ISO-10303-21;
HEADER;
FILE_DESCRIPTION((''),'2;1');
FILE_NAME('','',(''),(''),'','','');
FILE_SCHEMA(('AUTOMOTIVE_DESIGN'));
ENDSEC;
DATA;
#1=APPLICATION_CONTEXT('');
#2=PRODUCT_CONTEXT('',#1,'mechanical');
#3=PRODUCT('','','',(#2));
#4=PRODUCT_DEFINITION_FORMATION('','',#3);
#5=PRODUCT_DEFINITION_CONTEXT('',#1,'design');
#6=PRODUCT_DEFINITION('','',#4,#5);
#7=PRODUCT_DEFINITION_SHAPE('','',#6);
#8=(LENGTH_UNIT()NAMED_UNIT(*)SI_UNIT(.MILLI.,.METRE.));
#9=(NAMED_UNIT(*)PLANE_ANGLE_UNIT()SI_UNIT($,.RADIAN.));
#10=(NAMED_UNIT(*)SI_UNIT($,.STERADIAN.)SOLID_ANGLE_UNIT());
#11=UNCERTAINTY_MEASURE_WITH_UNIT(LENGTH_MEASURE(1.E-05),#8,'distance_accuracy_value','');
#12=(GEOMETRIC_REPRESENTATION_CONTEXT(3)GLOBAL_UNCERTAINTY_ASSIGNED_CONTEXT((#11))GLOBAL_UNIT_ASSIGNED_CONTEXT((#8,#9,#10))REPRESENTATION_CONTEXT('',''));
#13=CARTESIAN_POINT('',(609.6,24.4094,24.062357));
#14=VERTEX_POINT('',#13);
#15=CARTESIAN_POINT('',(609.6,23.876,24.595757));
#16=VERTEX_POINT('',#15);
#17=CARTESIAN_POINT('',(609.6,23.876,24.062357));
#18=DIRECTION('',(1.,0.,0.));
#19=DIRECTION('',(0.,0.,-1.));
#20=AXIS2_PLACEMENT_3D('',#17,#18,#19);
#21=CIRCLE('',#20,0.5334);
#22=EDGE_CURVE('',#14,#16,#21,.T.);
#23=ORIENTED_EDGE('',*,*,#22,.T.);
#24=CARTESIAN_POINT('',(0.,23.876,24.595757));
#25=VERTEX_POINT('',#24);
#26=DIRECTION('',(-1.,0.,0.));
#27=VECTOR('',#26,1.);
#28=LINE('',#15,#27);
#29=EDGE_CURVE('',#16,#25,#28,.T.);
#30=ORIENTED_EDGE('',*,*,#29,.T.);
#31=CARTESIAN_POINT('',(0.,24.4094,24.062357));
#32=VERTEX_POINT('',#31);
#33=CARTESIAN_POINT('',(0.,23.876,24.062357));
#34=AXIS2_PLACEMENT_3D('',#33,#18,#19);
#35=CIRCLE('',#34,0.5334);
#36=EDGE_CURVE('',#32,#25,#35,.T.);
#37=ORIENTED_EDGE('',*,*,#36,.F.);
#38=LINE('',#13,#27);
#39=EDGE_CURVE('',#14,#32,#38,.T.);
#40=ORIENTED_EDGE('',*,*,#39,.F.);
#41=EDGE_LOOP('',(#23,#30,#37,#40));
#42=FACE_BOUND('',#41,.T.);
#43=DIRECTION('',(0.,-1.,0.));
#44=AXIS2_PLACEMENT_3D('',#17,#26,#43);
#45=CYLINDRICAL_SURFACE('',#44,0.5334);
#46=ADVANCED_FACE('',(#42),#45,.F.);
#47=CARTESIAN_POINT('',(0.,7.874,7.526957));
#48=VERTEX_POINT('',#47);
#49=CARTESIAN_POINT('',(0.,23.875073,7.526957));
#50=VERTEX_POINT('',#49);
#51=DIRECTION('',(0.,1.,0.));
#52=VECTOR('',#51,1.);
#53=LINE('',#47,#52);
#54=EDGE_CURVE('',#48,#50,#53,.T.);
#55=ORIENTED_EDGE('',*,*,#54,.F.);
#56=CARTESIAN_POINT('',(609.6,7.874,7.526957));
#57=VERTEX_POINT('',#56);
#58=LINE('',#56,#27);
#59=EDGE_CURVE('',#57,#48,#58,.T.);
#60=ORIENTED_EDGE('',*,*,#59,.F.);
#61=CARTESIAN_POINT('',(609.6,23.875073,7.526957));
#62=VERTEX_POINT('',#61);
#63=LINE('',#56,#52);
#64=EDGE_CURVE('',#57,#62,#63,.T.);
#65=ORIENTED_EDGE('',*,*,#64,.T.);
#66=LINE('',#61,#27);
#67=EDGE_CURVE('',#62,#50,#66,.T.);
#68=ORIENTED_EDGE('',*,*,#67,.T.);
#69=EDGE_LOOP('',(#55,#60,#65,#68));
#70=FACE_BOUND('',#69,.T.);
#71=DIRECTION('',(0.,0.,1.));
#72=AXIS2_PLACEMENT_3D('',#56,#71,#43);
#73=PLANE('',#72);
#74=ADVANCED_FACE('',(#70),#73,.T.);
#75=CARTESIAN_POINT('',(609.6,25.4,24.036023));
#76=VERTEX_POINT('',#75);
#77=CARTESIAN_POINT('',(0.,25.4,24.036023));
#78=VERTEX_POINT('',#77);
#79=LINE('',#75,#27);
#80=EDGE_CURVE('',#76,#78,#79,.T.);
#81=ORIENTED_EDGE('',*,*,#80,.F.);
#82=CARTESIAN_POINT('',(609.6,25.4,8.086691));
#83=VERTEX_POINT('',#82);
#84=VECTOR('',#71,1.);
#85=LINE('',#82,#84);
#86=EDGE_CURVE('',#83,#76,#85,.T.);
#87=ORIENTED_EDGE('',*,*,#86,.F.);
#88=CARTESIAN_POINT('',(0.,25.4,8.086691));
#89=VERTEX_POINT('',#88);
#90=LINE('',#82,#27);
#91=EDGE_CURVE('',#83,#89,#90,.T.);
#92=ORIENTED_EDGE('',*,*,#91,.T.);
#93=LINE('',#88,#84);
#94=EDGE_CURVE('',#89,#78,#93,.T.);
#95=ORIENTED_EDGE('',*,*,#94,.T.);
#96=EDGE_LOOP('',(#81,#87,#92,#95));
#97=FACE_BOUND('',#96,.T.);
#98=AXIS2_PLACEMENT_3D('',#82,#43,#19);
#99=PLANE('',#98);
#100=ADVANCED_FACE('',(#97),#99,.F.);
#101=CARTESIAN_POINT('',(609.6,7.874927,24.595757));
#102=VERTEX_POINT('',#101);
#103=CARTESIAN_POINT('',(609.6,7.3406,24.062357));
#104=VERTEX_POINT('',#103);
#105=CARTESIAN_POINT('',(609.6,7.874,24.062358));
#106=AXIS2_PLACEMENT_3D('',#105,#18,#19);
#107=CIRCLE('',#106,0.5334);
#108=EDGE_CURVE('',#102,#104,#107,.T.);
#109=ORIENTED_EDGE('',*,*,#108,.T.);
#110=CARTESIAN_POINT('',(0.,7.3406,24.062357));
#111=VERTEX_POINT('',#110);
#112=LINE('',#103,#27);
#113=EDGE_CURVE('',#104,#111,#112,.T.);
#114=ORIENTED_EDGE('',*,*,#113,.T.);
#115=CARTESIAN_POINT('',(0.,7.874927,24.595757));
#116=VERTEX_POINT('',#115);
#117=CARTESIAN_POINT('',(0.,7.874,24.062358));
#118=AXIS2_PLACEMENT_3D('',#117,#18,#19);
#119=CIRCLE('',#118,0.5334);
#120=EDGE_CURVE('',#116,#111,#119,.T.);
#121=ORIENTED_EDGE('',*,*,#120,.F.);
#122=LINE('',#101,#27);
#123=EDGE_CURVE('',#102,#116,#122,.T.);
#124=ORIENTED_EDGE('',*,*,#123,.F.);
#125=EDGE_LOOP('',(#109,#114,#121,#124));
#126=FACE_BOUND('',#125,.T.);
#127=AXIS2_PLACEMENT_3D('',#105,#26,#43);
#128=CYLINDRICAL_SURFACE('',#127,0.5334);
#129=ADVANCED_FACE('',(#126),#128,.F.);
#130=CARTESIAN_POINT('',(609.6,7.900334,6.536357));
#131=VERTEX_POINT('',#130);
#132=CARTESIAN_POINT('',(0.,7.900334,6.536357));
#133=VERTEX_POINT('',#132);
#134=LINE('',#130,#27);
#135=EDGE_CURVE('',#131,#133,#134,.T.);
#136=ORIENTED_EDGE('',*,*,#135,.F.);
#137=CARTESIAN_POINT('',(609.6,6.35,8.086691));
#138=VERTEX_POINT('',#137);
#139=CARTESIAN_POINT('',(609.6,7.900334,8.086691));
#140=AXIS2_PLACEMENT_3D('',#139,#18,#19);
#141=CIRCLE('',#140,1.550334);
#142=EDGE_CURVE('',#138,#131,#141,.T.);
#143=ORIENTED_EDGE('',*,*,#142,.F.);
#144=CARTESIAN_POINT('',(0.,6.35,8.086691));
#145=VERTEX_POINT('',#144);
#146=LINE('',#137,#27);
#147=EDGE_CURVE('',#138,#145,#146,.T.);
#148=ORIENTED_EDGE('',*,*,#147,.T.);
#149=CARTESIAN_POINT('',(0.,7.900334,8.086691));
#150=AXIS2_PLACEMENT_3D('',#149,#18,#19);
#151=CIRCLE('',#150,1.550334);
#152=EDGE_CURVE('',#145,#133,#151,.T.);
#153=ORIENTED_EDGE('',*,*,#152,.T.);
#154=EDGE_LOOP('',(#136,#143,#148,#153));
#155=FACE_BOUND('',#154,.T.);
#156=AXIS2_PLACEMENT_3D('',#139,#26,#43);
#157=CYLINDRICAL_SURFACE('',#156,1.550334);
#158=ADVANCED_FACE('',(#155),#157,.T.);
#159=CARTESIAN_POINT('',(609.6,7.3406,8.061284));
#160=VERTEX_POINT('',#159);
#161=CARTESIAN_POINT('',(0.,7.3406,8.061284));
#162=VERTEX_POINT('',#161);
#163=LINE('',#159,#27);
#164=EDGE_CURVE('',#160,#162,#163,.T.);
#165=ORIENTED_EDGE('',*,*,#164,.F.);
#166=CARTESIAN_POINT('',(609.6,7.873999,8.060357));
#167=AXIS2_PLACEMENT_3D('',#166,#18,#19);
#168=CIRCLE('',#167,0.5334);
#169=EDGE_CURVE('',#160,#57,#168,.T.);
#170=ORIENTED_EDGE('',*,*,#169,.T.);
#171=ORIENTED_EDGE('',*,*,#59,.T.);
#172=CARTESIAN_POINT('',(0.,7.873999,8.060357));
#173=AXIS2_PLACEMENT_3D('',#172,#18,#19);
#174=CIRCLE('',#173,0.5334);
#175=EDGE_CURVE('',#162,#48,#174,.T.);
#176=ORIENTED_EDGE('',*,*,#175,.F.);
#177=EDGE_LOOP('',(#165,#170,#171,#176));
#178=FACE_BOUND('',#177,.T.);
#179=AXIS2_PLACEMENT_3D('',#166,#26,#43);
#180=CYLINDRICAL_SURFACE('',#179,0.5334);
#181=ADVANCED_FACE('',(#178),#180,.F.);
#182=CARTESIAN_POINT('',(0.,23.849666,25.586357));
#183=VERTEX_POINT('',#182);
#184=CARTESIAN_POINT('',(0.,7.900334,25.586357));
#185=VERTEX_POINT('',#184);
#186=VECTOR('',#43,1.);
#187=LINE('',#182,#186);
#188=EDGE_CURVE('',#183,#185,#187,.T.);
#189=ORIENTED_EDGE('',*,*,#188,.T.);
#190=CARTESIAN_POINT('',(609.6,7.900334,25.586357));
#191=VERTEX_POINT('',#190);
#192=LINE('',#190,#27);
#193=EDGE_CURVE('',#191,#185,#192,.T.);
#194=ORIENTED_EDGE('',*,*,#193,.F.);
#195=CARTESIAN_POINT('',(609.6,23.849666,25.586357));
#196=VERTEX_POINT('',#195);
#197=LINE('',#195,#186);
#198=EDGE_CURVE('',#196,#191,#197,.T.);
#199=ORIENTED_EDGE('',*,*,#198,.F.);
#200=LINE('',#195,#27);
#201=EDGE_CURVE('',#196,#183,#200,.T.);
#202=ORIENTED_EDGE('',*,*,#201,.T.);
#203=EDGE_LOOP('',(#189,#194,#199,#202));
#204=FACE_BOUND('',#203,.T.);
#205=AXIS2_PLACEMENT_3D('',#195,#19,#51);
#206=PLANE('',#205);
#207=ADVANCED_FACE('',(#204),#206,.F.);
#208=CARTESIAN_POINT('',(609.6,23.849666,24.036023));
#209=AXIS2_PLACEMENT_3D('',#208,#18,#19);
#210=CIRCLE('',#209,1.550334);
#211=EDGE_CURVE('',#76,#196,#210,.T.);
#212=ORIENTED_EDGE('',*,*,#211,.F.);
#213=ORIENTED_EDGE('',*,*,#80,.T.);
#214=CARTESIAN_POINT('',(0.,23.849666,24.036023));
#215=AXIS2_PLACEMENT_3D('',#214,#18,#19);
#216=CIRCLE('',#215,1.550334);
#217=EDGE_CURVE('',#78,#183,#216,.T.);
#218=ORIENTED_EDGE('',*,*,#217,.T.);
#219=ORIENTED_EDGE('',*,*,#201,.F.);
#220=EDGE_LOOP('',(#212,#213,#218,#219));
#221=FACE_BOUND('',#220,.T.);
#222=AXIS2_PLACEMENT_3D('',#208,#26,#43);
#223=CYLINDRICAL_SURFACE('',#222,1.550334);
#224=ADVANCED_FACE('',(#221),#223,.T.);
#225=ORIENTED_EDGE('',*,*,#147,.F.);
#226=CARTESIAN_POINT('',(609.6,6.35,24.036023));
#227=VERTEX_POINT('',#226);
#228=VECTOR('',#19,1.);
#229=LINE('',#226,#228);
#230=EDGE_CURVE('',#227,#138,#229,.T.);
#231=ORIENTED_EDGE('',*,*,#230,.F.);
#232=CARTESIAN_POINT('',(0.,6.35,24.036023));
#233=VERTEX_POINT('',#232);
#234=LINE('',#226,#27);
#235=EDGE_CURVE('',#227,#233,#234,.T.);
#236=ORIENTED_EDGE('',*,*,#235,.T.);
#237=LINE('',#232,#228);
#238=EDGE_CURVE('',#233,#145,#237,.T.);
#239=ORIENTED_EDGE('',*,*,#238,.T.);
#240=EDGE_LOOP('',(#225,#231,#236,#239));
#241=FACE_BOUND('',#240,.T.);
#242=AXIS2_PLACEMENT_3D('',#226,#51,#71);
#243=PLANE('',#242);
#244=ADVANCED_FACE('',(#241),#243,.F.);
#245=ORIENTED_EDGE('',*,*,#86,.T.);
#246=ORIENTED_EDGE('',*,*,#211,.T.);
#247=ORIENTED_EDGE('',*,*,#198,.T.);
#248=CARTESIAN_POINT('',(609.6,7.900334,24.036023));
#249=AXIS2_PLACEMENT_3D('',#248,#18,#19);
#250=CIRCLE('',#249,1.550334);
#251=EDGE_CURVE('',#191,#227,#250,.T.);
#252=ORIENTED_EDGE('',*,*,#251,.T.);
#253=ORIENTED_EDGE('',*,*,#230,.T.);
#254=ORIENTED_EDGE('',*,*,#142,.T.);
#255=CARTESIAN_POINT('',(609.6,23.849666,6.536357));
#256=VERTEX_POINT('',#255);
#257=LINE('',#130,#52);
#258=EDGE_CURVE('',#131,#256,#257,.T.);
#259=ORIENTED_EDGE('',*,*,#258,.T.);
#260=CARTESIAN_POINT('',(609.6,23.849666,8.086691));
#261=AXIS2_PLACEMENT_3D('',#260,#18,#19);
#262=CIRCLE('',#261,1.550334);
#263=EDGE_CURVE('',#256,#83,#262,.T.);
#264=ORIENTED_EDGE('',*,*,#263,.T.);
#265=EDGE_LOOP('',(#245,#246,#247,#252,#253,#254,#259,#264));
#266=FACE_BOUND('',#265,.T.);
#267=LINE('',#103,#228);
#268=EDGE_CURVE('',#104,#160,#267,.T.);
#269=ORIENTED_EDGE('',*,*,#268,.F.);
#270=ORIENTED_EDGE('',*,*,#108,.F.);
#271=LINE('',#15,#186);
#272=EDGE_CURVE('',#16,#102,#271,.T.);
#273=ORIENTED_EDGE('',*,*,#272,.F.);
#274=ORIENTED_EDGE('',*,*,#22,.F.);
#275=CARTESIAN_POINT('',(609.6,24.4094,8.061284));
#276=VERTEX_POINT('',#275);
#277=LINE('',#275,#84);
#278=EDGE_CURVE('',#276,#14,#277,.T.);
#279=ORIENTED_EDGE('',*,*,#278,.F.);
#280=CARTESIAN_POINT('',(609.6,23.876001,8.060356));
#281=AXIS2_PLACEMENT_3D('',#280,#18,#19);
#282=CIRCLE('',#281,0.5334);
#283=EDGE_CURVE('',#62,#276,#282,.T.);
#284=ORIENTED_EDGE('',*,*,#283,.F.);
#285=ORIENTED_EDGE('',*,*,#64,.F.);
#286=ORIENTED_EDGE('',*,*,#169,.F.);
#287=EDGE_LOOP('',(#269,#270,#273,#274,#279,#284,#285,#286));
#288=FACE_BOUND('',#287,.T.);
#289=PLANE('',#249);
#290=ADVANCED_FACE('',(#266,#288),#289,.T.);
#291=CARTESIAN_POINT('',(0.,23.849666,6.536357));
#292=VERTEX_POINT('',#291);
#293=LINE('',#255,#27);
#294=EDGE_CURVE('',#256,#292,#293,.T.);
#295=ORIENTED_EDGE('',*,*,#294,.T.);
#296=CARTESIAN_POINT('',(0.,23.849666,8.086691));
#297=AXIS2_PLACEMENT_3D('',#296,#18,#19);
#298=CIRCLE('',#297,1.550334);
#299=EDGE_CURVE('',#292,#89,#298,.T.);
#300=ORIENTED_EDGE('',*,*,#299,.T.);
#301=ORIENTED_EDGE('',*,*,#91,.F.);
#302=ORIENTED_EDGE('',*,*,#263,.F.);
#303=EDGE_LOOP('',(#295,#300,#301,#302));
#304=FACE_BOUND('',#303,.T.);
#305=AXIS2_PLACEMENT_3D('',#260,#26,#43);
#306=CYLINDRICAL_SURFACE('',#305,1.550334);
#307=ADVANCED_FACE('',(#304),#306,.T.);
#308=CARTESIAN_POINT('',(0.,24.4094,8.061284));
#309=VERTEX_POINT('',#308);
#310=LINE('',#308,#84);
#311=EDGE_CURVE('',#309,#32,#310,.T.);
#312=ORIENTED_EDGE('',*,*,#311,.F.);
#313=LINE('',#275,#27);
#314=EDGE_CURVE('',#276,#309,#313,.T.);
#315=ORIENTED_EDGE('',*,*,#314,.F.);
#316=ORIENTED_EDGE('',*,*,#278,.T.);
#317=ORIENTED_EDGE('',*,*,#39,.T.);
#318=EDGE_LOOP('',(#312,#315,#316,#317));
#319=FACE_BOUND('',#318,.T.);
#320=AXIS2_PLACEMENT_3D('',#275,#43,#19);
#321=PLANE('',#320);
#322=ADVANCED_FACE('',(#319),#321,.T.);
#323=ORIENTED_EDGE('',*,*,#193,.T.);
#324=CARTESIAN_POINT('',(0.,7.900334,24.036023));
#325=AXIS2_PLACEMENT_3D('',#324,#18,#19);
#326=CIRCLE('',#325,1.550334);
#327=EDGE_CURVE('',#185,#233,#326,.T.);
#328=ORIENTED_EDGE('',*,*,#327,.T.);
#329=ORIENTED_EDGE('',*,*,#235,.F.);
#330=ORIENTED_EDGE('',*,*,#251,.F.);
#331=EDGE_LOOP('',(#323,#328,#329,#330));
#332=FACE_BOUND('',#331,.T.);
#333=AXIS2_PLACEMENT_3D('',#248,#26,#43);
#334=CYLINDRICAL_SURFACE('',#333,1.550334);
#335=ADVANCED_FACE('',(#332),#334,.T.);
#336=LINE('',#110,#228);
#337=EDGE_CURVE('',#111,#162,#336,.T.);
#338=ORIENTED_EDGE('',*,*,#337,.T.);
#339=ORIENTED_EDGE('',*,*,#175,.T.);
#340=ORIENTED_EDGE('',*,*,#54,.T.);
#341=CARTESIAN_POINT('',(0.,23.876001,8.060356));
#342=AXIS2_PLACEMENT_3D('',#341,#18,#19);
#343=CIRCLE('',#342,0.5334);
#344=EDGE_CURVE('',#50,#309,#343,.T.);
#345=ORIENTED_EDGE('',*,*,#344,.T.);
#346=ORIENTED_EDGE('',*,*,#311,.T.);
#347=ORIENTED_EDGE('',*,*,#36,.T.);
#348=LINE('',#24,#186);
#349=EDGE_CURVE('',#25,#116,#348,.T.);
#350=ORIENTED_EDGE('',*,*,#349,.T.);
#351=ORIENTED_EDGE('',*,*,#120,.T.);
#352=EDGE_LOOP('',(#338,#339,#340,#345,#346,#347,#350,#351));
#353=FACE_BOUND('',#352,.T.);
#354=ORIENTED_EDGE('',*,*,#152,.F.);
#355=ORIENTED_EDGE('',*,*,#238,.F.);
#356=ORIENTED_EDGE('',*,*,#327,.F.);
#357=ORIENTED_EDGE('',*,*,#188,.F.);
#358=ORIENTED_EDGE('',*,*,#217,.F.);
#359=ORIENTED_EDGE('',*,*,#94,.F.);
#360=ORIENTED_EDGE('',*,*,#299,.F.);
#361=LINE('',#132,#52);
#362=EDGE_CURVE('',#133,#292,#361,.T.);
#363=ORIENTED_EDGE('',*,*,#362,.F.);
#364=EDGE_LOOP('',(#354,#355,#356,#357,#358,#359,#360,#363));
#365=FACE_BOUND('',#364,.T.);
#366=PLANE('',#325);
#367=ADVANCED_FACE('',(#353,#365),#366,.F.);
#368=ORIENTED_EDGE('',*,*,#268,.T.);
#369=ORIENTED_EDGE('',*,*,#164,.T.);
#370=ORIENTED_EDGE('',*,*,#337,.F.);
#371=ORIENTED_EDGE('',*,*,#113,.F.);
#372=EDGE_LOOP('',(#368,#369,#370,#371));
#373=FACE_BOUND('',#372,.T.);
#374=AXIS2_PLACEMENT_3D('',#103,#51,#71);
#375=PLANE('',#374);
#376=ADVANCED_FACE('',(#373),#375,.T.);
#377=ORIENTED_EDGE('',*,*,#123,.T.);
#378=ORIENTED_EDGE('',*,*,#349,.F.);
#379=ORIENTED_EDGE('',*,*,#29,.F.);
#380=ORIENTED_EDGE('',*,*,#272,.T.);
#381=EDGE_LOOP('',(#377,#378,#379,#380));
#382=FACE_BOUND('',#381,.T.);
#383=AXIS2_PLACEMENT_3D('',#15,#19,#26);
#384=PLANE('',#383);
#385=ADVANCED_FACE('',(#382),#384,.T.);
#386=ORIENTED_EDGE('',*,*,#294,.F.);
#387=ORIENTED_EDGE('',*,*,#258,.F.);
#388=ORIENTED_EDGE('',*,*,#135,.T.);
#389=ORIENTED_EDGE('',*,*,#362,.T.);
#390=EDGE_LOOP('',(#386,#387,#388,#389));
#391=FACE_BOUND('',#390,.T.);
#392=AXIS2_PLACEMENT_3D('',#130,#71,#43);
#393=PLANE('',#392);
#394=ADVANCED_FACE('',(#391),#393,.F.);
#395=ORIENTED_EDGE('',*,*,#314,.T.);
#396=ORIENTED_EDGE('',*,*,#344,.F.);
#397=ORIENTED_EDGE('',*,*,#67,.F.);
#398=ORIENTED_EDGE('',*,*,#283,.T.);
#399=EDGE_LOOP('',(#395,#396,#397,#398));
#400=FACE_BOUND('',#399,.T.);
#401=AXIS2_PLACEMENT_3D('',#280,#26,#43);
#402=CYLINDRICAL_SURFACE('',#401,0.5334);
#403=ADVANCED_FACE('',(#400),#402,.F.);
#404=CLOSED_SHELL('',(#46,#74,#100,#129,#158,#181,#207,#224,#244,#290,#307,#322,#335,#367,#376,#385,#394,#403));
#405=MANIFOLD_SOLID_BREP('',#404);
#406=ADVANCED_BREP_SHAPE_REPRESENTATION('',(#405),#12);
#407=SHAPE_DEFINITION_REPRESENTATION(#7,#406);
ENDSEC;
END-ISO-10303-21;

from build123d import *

# Parameters (mm, degrees)
BOSS_EXTRUDE1_DEPTH = 609.6
SCALE1_SCALE_X      = 1
SCALE1_SCALE_Y      = 0.6
SCALE1_SCALE_Z      = 0.6


with BuildPart() as part:
    # Sketch1 → Boss-Extrude1 (new body)
    with BuildSketch(Plane(origin=(0, 0, 0), x_dir=(0, 0, -1), z_dir=(1, 0, 0))):
        with BuildLine():
            Line((-0.186356914, 2.58389064), (-0.186356914, 29.16610936))
            ThreePointArc((-0.186356914, 29.16610936), (-0.94316096, 30.993195953), (-2.770247554, 31.75))
            Line((-2.770247554, 31.75), (-29.352466273, 31.75))
            ThreePointArc((-29.352466273, 31.75), (-31.179552867, 30.993195953), (-31.936356914, 29.16610936))
            Line((-31.936356914, 29.16610936), (-31.936356914, 2.58389064))
            ThreePointArc((-31.936356914, 2.58389064), (-31.179552867, 0.756804047), (-29.352466273, 0))
            Line((-29.352466273, 0), (-2.770247554, 0))
            ThreePointArc((-2.770247554, 0), (-0.94316096, 0.756804047), (-0.186356914, 2.58389064))
        make_face()
        with BuildLine():
            Line((-1.837356914, 2.54), (-1.837356914, 29.208455353))
            ThreePointArc((-1.837356914, 29.208455353), (-2.097737641, 29.838619273), (-2.727901561, 30.099))
            Line((-2.727901561, 30.099), (-29.396356914, 30.099))
            ThreePointArc((-29.396356914, 30.099), (-30.024974842, 29.838617928), (-30.285356914, 29.21))
            Line((-30.285356914, 29.21), (-30.285356914, 2.541544647))
            ThreePointArc((-30.285356914, 2.541544647), (-30.025521588, 1.911927949), (-29.396356914, 1.651))
            Line((-29.396356914, 1.651), (-2.727901561, 1.651))
            ThreePointArc((-2.727901561, 1.651), (-2.098284863, 1.910835326), (-1.837356914, 2.54))
        make_face(mode=Mode.SUBTRACT)
    extrude(amount=BOSS_EXTRUDE1_DEPTH)


with BuildPart() as part_1:
    # Scale1: scaled about (304.8, 15.875, 16.061357084)
    add(part.part.scale((SCALE1_SCALE_X, SCALE1_SCALE_Y, SCALE1_SCALE_Z), about=(304.8, 15.875, 16.061357084)))


solid = part_1.part
